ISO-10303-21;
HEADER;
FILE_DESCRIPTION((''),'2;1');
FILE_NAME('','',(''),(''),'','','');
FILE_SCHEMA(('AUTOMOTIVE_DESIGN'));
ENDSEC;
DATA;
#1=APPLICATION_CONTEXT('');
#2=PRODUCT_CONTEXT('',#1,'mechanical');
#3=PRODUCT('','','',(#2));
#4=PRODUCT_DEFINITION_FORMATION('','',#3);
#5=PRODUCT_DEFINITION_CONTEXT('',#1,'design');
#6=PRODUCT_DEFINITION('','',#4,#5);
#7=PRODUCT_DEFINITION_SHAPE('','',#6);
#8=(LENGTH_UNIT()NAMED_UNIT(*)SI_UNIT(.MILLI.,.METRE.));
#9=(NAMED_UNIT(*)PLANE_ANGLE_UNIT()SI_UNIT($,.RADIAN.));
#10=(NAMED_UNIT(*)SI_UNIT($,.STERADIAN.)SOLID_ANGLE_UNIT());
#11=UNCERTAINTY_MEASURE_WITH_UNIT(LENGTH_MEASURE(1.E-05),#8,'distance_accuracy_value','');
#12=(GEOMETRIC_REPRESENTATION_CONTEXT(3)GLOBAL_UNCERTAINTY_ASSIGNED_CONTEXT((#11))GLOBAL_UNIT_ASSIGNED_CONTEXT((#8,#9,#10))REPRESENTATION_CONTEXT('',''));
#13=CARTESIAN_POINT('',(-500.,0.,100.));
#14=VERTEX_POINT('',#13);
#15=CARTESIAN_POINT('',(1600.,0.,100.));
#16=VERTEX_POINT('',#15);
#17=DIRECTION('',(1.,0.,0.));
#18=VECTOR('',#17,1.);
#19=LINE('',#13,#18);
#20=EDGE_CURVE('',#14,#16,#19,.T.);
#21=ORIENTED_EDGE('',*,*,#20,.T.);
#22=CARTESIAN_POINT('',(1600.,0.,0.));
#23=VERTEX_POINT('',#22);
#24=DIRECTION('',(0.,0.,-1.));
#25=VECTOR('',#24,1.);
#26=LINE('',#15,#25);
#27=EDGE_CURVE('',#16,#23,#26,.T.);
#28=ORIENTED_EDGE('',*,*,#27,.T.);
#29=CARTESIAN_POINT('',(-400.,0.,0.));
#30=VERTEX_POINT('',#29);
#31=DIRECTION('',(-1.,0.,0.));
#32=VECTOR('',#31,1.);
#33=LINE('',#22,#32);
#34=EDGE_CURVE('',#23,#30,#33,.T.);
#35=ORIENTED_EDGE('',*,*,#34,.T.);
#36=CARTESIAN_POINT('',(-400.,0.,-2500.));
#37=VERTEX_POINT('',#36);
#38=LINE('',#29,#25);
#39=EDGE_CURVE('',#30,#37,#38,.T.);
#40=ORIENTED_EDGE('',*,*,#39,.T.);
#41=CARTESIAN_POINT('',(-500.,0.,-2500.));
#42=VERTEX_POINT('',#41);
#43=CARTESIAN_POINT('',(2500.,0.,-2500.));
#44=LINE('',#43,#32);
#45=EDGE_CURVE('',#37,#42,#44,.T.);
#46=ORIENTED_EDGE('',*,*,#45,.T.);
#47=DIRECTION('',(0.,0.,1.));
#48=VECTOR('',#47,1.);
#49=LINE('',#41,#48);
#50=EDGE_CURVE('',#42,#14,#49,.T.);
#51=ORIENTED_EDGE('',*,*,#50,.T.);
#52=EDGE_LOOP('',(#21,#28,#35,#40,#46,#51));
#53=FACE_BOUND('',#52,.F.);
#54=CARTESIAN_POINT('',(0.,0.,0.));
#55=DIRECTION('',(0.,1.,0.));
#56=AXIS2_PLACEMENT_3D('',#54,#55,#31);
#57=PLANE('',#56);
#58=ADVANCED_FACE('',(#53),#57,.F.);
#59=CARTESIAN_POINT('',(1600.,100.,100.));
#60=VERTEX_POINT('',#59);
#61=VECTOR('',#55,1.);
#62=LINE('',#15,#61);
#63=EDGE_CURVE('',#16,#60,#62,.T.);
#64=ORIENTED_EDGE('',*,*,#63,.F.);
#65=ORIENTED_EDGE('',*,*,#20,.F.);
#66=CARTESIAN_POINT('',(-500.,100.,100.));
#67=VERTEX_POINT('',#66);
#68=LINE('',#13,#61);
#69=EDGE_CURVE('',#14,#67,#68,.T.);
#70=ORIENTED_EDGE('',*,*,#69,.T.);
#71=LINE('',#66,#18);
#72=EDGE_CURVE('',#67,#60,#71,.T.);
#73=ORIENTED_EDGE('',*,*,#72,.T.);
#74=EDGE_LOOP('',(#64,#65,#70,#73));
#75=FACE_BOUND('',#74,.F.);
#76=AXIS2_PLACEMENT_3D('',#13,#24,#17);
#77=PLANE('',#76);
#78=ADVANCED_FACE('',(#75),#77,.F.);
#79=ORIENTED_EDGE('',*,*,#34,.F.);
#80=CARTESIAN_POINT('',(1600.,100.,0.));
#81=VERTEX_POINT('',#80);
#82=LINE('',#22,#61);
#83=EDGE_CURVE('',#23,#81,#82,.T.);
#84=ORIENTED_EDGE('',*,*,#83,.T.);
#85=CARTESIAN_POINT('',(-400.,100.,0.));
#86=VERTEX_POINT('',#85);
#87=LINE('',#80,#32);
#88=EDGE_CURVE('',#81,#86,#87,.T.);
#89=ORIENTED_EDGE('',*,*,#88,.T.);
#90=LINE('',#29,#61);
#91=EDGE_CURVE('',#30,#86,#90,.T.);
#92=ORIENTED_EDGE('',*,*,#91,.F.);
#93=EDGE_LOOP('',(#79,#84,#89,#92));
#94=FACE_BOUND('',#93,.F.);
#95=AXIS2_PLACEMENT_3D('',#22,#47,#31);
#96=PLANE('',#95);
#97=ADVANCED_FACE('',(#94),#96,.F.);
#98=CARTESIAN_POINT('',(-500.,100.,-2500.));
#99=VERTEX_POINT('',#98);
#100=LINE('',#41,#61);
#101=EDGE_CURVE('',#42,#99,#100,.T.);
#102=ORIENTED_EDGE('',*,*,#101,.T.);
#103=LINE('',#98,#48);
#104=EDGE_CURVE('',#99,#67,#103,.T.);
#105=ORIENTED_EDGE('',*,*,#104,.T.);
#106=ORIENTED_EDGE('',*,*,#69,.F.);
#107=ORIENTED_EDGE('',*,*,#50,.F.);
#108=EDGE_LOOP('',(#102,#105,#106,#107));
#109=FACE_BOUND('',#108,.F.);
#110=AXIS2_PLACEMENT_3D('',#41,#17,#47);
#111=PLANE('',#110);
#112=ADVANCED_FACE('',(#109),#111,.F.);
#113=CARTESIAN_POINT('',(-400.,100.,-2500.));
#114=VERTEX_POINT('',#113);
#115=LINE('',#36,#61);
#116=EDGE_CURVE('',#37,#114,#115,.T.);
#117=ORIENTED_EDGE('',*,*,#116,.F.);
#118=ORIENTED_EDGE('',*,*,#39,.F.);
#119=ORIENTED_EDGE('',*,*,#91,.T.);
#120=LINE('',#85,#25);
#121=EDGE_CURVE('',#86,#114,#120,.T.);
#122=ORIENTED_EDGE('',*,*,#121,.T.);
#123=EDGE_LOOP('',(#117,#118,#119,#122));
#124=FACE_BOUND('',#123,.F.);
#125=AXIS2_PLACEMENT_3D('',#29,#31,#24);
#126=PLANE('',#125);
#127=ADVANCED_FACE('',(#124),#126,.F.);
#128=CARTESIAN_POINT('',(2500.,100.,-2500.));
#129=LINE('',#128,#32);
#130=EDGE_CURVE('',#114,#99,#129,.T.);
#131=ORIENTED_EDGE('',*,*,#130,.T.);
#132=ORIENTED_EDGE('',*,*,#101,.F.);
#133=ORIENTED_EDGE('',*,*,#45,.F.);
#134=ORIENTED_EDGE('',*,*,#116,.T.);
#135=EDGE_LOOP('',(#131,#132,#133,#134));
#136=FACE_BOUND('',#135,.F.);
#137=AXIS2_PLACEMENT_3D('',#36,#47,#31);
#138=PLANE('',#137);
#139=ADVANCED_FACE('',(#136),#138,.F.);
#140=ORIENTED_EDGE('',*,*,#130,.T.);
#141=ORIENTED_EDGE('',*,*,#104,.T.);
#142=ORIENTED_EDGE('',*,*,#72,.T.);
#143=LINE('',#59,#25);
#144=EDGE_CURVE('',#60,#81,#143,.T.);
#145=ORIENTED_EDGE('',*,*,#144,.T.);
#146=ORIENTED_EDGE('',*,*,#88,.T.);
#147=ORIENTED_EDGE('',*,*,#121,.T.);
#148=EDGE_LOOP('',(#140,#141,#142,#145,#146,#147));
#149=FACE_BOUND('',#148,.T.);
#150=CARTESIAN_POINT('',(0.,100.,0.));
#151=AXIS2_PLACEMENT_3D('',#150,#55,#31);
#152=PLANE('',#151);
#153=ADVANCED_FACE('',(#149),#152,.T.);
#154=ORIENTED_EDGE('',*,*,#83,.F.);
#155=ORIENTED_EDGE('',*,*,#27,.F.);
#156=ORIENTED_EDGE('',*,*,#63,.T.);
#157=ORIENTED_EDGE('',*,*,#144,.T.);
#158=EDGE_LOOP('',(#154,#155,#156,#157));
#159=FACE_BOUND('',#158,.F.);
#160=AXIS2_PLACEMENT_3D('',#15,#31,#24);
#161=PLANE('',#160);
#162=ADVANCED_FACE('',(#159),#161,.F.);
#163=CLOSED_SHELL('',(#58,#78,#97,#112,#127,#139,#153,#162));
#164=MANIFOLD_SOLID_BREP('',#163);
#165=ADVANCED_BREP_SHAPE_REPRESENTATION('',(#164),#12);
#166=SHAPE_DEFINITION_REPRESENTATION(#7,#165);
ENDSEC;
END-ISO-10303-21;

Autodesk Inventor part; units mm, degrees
ref_plane "YZ Plane" through (0, 0, 0) normal (1, 0, 0) x (0, 1, 0)
ref_plane "XZ Plane" through (0, 0, 0) normal (0, 1, 0) x (-1, 0, 0)
ref_plane "XY Plane" through (0, 0, 0) normal (0, 0, 1) x (1, 0, 0)
sketch "Sketch1" plane through (0, 0, 0) normal (0, 1, 0) x (-1, 0, 0)
  line L0 (2500, 2500) -> (-2500, 2500)
  line L1 (-2500, 2500) -> (-2500, -2500)
  line L2 (-2500, -2500) -> (2500, -2500)
  line L3 (2500, -2500) -> (2500, 2500)
  line L4 (2500, 2500) -> (-2500, -2500) construction
  line L5 (-2500, 2500) -> (2500, -2500) construction
  line L6 (500, -2500) -> (500, 100)
  line L7 (500, 100) -> (-1600, 100)
  line L8 (-1600, 100) -> (-1600, 0)
  line L9 (-1600, 0) -> (400, 0)
  line L10 (400, 0) -> (400, -2500)
  point P0 (0, 0)
  dimension "d0" = 5000
  dimension "d1" = 5000
  dimension "d7" = 2500
  dimension "d8" = 100
  dimension "d9" = 100
  dimension "d10" = 2000
  dimension "d11" = 2000
extrude "Extrusion1" add sketch "Sketch1" along normal blind 100 contours L2 L10 L9 L8 L7 L6
properties part number "simple corner"
